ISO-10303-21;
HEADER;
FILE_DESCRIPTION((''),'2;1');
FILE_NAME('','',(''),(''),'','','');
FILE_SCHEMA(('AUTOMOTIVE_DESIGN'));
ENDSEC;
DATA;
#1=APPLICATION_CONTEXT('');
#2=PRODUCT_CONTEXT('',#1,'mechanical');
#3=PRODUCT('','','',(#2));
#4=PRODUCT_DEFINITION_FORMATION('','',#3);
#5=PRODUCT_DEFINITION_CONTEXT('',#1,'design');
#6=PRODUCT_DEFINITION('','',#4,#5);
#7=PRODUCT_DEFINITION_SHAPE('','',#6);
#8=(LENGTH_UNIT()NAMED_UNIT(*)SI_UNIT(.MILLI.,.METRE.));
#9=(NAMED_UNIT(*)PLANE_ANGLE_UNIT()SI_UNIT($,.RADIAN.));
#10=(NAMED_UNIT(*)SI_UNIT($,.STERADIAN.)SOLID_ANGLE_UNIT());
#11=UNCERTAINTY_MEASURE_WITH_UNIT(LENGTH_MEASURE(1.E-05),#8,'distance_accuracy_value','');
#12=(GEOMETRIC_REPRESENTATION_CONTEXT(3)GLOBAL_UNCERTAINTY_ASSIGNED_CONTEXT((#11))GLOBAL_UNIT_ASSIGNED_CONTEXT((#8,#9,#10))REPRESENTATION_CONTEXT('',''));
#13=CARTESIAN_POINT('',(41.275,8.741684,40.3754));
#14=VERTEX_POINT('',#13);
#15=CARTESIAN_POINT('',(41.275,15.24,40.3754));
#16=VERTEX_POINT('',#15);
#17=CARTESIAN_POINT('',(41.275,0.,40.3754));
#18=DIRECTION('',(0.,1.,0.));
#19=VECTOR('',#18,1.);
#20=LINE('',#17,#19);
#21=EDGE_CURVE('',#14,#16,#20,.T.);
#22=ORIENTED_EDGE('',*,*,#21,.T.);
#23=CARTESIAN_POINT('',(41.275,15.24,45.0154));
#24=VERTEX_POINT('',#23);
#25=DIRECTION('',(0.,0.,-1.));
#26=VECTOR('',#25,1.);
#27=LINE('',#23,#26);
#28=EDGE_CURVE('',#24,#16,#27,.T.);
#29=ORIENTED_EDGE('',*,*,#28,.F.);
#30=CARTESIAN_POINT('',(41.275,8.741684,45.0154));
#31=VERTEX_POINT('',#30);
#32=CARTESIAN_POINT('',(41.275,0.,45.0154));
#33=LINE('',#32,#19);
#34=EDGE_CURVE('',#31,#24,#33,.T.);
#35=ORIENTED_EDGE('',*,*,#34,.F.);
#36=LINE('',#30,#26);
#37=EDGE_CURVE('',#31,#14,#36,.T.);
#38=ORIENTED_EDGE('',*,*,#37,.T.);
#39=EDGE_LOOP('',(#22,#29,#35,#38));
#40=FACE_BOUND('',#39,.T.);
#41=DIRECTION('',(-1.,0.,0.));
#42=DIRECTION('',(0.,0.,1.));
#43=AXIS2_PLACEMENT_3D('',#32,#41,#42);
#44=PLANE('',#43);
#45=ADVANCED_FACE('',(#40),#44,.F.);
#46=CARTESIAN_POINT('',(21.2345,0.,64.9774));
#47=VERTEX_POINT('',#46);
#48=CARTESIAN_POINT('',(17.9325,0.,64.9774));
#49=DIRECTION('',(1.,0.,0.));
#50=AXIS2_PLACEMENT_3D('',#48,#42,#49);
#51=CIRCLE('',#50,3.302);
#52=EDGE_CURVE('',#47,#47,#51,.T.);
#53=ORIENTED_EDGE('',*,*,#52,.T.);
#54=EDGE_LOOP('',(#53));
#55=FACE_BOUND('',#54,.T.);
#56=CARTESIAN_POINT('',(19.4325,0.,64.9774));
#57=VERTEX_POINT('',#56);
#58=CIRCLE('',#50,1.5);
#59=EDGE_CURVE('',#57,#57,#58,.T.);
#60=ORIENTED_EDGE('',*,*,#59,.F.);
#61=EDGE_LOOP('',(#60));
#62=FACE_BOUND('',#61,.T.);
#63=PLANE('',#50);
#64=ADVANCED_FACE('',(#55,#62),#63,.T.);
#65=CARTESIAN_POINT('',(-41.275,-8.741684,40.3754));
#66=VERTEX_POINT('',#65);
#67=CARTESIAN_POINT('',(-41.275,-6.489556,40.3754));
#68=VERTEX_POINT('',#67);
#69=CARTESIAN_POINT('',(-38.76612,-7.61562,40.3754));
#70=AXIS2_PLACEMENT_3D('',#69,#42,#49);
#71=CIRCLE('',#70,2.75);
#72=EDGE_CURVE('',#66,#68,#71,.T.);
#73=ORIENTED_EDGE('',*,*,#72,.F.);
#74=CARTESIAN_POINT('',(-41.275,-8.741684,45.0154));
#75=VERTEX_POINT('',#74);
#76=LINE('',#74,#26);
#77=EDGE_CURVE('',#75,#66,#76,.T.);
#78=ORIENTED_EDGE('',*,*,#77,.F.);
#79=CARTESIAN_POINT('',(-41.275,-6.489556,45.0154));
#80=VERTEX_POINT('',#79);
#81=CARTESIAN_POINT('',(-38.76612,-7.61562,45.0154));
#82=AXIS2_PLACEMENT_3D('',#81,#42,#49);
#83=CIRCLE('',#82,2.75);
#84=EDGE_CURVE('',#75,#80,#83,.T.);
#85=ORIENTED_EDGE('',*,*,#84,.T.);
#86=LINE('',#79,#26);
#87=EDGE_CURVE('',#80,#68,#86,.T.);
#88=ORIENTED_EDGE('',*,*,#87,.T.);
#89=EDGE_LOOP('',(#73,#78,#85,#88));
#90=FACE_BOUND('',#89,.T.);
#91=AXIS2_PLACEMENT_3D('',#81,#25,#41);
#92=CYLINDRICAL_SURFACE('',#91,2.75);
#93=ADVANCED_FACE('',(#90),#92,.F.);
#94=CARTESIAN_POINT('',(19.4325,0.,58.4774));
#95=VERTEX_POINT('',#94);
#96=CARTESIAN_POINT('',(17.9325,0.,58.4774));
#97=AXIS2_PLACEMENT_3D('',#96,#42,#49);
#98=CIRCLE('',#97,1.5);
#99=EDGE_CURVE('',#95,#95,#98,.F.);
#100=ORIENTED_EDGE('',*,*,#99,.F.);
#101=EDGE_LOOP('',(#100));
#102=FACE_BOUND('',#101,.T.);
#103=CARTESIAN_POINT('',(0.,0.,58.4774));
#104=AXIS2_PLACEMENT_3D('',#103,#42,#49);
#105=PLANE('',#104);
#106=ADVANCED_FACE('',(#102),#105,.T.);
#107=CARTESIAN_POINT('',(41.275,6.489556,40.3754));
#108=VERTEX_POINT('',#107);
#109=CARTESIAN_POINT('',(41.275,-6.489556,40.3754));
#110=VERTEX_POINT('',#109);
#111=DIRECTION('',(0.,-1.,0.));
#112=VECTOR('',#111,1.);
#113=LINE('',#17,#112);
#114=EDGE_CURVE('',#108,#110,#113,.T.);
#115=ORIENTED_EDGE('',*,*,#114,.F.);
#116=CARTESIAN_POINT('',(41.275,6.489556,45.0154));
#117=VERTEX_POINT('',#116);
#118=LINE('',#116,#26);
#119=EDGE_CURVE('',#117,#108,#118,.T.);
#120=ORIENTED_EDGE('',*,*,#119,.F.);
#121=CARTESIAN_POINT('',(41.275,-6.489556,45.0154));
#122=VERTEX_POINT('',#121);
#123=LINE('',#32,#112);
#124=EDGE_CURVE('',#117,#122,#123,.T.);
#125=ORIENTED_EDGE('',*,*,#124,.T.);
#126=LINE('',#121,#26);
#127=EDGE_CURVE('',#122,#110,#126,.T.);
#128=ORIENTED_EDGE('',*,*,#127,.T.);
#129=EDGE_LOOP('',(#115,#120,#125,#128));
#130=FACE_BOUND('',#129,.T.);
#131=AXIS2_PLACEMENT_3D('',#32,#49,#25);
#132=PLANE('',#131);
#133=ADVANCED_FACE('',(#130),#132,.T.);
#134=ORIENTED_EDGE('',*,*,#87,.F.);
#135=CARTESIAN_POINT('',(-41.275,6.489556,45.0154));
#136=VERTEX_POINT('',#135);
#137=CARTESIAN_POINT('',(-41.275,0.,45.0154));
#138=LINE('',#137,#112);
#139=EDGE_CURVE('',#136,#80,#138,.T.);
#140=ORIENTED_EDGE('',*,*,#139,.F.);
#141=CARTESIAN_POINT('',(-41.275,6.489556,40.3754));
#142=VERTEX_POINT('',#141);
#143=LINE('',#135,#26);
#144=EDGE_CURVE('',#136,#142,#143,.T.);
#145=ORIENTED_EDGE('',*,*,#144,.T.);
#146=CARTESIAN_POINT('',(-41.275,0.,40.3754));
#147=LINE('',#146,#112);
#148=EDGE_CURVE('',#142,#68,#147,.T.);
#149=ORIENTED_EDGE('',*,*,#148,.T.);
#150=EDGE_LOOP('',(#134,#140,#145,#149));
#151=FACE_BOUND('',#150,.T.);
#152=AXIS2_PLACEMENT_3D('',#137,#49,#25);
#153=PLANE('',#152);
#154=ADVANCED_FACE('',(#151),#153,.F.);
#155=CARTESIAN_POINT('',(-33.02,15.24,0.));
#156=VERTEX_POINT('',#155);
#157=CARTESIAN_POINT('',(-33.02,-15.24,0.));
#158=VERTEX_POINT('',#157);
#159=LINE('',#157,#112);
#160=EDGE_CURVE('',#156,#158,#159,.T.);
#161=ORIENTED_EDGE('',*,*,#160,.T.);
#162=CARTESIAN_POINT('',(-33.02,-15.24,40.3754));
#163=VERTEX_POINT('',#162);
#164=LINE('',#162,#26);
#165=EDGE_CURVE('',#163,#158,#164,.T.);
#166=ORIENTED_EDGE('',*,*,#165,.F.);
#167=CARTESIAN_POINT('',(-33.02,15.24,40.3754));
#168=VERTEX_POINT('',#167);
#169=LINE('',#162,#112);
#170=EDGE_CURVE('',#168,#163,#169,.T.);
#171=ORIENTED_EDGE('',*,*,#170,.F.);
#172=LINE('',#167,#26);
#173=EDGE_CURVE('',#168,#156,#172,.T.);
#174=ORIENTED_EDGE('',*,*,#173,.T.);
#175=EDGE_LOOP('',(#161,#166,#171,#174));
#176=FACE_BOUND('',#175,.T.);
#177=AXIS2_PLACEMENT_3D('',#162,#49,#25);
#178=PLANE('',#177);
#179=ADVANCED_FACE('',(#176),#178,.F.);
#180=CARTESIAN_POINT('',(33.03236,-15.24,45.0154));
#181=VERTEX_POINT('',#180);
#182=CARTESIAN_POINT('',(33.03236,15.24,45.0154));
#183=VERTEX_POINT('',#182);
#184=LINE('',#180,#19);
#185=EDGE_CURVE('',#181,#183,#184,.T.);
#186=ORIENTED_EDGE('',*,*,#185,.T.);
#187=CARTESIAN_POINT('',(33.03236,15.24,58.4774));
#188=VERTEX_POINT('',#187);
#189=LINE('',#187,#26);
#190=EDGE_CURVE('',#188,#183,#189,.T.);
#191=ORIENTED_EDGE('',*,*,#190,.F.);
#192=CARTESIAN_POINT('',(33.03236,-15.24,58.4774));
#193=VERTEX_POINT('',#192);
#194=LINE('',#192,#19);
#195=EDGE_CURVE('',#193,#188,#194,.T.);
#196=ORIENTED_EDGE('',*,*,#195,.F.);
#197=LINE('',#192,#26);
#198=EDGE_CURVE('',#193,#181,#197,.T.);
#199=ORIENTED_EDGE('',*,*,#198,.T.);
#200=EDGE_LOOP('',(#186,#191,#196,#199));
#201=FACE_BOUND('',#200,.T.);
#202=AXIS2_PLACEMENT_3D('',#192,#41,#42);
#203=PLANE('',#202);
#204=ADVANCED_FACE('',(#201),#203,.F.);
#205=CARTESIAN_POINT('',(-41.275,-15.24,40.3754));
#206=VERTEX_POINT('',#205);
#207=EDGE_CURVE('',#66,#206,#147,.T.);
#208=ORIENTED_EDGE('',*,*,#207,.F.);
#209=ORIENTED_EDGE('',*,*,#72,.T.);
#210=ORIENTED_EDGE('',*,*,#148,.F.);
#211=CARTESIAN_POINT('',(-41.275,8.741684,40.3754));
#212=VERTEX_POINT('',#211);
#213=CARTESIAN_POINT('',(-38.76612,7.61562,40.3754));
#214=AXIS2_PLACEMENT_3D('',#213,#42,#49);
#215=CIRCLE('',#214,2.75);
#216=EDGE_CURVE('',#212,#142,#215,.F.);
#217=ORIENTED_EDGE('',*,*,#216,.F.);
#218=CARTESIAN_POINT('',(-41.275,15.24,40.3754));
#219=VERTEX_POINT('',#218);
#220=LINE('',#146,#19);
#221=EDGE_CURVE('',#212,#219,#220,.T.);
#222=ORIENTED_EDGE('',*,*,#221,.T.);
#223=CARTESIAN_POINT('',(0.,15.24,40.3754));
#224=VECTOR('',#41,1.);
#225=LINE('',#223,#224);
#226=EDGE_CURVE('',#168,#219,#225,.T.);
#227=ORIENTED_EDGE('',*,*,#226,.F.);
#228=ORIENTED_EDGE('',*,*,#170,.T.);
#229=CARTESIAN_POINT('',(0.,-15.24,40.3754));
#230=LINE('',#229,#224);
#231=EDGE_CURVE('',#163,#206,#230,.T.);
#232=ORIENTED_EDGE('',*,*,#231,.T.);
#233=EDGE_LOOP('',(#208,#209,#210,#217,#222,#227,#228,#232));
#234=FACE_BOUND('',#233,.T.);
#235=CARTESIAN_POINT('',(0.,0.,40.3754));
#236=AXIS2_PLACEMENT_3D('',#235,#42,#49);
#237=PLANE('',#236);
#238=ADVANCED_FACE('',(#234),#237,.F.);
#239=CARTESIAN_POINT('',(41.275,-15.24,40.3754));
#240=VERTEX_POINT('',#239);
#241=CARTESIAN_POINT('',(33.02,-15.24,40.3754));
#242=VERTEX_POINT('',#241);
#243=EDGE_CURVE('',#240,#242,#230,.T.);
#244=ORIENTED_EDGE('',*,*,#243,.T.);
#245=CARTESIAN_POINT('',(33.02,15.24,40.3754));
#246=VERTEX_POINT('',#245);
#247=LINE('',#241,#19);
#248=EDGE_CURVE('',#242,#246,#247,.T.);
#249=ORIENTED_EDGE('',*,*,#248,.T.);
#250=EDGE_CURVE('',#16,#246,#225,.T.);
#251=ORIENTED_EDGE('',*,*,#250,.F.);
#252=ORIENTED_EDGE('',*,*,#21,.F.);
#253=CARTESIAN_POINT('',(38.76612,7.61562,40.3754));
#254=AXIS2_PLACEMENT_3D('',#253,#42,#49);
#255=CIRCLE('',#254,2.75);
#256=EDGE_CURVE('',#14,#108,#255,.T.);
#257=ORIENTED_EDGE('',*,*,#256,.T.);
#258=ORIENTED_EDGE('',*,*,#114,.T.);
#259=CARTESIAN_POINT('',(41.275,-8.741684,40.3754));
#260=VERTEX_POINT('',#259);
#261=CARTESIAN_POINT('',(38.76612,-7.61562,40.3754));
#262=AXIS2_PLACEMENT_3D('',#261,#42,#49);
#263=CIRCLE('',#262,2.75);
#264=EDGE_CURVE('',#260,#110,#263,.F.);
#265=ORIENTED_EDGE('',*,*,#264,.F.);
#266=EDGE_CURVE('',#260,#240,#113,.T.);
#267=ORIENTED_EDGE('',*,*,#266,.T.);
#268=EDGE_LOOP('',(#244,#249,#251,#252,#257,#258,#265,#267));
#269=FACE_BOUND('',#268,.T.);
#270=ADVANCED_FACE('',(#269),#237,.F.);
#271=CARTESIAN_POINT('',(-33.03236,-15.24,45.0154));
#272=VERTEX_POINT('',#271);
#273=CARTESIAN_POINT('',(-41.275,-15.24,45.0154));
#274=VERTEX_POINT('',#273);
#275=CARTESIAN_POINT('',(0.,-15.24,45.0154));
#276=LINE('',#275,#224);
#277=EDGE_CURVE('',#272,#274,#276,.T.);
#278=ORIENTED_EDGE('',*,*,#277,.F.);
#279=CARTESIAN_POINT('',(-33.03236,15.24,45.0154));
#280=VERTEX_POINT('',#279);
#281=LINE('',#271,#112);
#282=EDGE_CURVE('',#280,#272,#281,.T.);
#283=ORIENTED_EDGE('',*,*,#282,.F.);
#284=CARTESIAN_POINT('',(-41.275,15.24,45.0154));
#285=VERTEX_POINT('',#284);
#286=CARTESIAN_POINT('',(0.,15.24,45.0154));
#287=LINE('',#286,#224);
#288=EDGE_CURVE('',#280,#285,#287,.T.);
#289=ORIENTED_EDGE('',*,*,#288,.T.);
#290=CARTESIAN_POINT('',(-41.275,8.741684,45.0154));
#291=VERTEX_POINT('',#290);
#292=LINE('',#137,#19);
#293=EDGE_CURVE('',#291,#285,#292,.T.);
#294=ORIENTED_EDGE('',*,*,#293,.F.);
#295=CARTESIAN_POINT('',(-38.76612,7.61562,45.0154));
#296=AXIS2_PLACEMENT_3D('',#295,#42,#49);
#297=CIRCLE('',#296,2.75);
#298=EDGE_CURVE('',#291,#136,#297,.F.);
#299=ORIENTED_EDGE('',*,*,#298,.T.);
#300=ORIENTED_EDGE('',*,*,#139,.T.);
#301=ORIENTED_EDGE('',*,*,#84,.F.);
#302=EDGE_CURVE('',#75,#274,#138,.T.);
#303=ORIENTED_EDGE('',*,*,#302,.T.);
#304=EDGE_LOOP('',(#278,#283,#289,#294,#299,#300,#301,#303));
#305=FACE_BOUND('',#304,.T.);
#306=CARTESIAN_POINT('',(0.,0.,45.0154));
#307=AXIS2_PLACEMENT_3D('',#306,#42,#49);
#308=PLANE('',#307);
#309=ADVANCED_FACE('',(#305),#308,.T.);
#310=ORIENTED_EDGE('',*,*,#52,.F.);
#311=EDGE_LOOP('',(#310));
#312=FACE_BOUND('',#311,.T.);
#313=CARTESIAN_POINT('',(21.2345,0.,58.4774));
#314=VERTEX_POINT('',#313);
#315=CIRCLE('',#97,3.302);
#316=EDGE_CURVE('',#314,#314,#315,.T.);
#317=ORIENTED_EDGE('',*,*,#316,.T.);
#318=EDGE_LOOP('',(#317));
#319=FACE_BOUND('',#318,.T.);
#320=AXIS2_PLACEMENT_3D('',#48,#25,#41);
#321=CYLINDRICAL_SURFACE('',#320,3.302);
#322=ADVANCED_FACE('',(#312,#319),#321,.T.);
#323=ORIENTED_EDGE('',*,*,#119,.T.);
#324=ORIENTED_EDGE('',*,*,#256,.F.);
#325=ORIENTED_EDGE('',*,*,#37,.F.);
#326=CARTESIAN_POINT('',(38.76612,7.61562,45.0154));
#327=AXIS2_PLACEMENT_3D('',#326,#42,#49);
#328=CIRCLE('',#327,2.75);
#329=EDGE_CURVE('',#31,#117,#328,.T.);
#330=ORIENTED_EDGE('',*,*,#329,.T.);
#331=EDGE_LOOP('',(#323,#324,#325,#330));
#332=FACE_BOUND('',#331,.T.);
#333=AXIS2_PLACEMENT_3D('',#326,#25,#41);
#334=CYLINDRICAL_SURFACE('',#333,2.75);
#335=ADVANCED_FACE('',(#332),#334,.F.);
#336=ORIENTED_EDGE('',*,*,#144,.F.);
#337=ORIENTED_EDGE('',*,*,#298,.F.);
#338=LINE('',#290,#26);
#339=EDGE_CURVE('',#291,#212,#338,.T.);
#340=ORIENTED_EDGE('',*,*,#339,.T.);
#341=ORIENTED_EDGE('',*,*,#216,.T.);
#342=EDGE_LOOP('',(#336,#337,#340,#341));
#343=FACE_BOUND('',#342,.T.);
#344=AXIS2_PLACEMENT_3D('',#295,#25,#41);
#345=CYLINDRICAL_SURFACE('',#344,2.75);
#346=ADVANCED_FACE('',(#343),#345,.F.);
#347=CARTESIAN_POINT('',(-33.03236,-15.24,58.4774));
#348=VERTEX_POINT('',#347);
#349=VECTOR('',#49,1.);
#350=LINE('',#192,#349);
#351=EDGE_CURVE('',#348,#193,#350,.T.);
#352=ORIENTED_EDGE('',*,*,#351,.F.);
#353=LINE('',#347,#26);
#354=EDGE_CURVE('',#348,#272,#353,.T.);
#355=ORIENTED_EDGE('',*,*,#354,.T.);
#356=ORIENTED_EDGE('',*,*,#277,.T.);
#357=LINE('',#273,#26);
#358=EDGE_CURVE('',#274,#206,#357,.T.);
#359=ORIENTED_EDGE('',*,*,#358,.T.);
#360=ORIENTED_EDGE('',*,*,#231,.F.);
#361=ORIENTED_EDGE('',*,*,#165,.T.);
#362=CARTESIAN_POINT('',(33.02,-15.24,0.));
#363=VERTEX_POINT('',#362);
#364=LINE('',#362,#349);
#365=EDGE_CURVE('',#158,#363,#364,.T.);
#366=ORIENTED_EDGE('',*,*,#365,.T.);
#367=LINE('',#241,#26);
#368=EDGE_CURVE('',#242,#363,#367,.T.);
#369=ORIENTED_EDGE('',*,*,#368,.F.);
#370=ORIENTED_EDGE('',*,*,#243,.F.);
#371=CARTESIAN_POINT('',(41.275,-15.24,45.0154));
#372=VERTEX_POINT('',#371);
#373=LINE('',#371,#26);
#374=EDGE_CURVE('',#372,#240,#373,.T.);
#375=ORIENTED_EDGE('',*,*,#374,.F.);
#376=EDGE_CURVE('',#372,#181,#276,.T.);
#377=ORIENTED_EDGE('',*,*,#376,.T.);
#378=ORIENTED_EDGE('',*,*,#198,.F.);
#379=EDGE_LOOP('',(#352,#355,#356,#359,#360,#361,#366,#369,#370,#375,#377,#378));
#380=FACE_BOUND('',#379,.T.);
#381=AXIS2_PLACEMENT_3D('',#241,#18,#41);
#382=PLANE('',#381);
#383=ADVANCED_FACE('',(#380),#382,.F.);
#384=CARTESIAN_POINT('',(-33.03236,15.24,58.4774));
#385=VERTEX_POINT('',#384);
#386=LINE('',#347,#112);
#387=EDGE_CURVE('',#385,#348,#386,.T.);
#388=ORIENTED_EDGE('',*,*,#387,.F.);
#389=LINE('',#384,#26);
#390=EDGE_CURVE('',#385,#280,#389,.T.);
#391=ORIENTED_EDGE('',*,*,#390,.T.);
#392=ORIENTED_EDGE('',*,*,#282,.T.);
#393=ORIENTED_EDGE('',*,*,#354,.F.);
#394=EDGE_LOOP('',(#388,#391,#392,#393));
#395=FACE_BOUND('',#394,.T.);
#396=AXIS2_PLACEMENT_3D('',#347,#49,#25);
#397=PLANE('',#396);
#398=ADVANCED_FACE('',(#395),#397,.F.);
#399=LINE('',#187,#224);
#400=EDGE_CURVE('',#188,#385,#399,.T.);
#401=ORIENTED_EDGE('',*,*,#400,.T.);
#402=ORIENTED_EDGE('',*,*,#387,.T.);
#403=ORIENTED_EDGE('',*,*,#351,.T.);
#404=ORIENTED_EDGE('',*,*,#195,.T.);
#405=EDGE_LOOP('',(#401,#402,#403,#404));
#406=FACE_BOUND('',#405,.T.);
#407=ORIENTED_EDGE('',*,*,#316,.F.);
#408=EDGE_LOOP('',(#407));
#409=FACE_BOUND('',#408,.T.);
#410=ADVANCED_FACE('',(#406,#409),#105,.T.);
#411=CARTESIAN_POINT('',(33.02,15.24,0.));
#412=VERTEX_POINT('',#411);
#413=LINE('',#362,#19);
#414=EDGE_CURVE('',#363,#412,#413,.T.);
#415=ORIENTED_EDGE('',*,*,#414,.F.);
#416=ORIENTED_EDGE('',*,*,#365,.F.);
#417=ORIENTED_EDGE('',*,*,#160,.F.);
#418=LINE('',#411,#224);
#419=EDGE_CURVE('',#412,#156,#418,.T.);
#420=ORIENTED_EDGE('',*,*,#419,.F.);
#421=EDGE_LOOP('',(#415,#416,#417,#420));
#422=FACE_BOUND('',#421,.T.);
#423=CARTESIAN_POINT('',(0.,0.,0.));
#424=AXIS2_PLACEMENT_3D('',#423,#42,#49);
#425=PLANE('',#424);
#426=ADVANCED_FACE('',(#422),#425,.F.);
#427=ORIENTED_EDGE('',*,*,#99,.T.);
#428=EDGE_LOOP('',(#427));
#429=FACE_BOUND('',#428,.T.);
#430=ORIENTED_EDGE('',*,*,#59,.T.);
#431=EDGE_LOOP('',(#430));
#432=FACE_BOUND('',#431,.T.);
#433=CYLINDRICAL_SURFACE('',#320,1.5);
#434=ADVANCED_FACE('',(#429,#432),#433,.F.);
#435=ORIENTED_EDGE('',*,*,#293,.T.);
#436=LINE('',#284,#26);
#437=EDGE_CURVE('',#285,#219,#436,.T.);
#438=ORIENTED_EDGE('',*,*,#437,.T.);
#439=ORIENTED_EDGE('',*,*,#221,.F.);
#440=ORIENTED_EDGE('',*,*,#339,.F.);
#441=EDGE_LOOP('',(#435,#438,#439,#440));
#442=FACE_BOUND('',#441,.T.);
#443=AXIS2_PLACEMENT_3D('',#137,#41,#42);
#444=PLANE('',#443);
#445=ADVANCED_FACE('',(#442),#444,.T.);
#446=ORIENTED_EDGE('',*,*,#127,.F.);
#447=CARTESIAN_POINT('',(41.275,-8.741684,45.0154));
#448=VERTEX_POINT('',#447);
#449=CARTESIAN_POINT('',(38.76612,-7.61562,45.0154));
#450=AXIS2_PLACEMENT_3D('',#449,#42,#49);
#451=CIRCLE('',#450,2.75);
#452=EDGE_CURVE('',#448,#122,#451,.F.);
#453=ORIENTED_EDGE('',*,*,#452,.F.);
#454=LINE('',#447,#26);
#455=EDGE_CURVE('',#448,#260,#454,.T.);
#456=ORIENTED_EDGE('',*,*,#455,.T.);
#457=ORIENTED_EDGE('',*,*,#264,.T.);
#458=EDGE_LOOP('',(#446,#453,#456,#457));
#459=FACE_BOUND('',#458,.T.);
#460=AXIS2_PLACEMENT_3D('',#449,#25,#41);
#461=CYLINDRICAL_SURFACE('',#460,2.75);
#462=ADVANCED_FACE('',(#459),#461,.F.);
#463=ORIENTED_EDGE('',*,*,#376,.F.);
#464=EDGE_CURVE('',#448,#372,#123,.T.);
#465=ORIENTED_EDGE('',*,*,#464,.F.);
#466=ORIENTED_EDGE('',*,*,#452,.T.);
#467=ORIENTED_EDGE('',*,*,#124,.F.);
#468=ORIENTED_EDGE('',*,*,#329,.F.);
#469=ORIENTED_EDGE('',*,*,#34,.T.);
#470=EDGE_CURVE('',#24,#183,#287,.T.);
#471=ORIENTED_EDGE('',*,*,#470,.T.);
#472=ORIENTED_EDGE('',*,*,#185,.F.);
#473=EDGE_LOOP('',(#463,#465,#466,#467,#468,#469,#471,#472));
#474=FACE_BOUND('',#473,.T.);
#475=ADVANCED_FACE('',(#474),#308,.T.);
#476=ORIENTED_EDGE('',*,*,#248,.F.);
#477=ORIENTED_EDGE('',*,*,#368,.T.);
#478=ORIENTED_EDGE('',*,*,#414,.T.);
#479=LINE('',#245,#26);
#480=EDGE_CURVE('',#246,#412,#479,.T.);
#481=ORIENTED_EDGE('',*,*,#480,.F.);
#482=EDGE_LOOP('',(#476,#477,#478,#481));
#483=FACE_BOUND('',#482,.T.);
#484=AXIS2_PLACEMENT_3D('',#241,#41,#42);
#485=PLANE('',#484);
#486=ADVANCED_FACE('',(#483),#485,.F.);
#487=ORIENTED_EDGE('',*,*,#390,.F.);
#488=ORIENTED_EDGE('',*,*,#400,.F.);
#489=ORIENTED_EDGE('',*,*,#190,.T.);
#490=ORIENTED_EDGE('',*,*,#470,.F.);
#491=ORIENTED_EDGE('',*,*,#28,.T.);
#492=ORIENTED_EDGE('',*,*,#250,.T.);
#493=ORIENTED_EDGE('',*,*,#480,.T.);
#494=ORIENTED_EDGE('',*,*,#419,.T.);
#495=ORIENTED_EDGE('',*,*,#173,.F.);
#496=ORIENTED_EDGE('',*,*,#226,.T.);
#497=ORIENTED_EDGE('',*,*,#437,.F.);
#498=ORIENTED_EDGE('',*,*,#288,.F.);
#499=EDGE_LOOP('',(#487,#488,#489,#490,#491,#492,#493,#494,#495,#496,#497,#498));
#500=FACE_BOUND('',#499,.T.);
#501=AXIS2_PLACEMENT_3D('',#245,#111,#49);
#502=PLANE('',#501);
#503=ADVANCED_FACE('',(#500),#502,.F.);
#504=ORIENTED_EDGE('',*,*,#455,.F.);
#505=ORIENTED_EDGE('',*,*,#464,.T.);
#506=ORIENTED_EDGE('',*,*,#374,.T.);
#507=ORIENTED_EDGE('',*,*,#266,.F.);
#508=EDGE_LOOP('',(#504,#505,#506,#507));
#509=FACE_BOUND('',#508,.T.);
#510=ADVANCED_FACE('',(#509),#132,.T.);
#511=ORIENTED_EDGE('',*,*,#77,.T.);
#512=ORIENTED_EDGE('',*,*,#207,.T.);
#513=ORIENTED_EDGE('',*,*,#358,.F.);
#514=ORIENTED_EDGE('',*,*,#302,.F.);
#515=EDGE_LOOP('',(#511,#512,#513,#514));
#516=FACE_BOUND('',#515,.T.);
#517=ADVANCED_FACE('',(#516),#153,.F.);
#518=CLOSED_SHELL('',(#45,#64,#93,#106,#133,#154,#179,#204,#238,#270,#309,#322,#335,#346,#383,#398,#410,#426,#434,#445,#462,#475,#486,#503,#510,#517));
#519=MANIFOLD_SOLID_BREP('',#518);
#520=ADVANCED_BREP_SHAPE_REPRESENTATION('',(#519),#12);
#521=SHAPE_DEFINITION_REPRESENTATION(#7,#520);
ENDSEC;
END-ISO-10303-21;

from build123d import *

# Parameters (mm, degrees)
SKETCH_1_W       = 66.04
SKETCH_1_H       = 30.48
EXTRUDE_1_DEPTH  = 40.3754
EXTRUDE_11_DEPTH = 4.64
SKETCH_3_W       = 66.06472
SKETCH_3_H       = 30.48
EXTRUDE_12_DEPTH = 13.462
SKETCH_5_R       = 3.302
SKETCH_5_R_2     = 1.5
EXTRUDE_13_DEPTH = 6.5


with BuildPart() as part:
    # 스케치1 → 보스-돌출1 (new body)
    with BuildSketch(Plane.XY):
        Rectangle(SKETCH_1_W, SKETCH_1_H)
    extrude(amount=EXTRUDE_1_DEPTH)

    # 스케치2 → 보스-돌출11 (add)
    with BuildSketch(Plane.XY.offset(40.3754)):
        with BuildLine():
            Line((41.275, -8.74168445), (41.275, -15.24))
            Line((41.275, -15.24), (-41.275, -15.24))
            Line((-41.275, -15.24), (-41.275, -8.74168445))
            ThreePointArc((-41.275, -8.74168445), (-36.01612, -7.61562), (-41.275, -6.48955555))
            Line((-41.275, -6.48955555), (-41.275, 6.48955555))
            ThreePointArc((-41.275, 6.48955555), (-36.01612, 7.61562), (-41.275, 8.74168445))
            Line((-41.275, 8.74168445), (-41.275, 15.24))
            Line((-41.275, 15.24), (41.275, 15.24))
            Line((41.275, 15.24), (41.275, 8.74168445))
            ThreePointArc((41.275, 8.74168445), (36.01612, 7.61562), (41.275, 6.48955555))
            Line((41.275, 6.48955555), (41.275, -6.48955555))
            ThreePointArc((41.275, -6.48955555), (36.01612, -7.61562), (41.275, -8.74168445))
        make_face()
    extrude(amount=EXTRUDE_11_DEPTH)

    # 스케치3 → 보스-돌출12 (add)
    with BuildSketch(Plane.XY.offset(45.0154)):
        Rectangle(SKETCH_3_W, SKETCH_3_H)
    extrude(amount=EXTRUDE_12_DEPTH)

    # 스케치5 → 보스-돌출13 (add)
    with BuildSketch(Plane.XY.offset(58.4774)):
        with Locations((17.9325, 0)):
            Circle(SKETCH_5_R)
        with Locations((17.9325, 0)):
            Circle(SKETCH_5_R_2, mode=Mode.SUBTRACT)
    extrude(amount=EXTRUDE_13_DEPTH)


solid = part.part
